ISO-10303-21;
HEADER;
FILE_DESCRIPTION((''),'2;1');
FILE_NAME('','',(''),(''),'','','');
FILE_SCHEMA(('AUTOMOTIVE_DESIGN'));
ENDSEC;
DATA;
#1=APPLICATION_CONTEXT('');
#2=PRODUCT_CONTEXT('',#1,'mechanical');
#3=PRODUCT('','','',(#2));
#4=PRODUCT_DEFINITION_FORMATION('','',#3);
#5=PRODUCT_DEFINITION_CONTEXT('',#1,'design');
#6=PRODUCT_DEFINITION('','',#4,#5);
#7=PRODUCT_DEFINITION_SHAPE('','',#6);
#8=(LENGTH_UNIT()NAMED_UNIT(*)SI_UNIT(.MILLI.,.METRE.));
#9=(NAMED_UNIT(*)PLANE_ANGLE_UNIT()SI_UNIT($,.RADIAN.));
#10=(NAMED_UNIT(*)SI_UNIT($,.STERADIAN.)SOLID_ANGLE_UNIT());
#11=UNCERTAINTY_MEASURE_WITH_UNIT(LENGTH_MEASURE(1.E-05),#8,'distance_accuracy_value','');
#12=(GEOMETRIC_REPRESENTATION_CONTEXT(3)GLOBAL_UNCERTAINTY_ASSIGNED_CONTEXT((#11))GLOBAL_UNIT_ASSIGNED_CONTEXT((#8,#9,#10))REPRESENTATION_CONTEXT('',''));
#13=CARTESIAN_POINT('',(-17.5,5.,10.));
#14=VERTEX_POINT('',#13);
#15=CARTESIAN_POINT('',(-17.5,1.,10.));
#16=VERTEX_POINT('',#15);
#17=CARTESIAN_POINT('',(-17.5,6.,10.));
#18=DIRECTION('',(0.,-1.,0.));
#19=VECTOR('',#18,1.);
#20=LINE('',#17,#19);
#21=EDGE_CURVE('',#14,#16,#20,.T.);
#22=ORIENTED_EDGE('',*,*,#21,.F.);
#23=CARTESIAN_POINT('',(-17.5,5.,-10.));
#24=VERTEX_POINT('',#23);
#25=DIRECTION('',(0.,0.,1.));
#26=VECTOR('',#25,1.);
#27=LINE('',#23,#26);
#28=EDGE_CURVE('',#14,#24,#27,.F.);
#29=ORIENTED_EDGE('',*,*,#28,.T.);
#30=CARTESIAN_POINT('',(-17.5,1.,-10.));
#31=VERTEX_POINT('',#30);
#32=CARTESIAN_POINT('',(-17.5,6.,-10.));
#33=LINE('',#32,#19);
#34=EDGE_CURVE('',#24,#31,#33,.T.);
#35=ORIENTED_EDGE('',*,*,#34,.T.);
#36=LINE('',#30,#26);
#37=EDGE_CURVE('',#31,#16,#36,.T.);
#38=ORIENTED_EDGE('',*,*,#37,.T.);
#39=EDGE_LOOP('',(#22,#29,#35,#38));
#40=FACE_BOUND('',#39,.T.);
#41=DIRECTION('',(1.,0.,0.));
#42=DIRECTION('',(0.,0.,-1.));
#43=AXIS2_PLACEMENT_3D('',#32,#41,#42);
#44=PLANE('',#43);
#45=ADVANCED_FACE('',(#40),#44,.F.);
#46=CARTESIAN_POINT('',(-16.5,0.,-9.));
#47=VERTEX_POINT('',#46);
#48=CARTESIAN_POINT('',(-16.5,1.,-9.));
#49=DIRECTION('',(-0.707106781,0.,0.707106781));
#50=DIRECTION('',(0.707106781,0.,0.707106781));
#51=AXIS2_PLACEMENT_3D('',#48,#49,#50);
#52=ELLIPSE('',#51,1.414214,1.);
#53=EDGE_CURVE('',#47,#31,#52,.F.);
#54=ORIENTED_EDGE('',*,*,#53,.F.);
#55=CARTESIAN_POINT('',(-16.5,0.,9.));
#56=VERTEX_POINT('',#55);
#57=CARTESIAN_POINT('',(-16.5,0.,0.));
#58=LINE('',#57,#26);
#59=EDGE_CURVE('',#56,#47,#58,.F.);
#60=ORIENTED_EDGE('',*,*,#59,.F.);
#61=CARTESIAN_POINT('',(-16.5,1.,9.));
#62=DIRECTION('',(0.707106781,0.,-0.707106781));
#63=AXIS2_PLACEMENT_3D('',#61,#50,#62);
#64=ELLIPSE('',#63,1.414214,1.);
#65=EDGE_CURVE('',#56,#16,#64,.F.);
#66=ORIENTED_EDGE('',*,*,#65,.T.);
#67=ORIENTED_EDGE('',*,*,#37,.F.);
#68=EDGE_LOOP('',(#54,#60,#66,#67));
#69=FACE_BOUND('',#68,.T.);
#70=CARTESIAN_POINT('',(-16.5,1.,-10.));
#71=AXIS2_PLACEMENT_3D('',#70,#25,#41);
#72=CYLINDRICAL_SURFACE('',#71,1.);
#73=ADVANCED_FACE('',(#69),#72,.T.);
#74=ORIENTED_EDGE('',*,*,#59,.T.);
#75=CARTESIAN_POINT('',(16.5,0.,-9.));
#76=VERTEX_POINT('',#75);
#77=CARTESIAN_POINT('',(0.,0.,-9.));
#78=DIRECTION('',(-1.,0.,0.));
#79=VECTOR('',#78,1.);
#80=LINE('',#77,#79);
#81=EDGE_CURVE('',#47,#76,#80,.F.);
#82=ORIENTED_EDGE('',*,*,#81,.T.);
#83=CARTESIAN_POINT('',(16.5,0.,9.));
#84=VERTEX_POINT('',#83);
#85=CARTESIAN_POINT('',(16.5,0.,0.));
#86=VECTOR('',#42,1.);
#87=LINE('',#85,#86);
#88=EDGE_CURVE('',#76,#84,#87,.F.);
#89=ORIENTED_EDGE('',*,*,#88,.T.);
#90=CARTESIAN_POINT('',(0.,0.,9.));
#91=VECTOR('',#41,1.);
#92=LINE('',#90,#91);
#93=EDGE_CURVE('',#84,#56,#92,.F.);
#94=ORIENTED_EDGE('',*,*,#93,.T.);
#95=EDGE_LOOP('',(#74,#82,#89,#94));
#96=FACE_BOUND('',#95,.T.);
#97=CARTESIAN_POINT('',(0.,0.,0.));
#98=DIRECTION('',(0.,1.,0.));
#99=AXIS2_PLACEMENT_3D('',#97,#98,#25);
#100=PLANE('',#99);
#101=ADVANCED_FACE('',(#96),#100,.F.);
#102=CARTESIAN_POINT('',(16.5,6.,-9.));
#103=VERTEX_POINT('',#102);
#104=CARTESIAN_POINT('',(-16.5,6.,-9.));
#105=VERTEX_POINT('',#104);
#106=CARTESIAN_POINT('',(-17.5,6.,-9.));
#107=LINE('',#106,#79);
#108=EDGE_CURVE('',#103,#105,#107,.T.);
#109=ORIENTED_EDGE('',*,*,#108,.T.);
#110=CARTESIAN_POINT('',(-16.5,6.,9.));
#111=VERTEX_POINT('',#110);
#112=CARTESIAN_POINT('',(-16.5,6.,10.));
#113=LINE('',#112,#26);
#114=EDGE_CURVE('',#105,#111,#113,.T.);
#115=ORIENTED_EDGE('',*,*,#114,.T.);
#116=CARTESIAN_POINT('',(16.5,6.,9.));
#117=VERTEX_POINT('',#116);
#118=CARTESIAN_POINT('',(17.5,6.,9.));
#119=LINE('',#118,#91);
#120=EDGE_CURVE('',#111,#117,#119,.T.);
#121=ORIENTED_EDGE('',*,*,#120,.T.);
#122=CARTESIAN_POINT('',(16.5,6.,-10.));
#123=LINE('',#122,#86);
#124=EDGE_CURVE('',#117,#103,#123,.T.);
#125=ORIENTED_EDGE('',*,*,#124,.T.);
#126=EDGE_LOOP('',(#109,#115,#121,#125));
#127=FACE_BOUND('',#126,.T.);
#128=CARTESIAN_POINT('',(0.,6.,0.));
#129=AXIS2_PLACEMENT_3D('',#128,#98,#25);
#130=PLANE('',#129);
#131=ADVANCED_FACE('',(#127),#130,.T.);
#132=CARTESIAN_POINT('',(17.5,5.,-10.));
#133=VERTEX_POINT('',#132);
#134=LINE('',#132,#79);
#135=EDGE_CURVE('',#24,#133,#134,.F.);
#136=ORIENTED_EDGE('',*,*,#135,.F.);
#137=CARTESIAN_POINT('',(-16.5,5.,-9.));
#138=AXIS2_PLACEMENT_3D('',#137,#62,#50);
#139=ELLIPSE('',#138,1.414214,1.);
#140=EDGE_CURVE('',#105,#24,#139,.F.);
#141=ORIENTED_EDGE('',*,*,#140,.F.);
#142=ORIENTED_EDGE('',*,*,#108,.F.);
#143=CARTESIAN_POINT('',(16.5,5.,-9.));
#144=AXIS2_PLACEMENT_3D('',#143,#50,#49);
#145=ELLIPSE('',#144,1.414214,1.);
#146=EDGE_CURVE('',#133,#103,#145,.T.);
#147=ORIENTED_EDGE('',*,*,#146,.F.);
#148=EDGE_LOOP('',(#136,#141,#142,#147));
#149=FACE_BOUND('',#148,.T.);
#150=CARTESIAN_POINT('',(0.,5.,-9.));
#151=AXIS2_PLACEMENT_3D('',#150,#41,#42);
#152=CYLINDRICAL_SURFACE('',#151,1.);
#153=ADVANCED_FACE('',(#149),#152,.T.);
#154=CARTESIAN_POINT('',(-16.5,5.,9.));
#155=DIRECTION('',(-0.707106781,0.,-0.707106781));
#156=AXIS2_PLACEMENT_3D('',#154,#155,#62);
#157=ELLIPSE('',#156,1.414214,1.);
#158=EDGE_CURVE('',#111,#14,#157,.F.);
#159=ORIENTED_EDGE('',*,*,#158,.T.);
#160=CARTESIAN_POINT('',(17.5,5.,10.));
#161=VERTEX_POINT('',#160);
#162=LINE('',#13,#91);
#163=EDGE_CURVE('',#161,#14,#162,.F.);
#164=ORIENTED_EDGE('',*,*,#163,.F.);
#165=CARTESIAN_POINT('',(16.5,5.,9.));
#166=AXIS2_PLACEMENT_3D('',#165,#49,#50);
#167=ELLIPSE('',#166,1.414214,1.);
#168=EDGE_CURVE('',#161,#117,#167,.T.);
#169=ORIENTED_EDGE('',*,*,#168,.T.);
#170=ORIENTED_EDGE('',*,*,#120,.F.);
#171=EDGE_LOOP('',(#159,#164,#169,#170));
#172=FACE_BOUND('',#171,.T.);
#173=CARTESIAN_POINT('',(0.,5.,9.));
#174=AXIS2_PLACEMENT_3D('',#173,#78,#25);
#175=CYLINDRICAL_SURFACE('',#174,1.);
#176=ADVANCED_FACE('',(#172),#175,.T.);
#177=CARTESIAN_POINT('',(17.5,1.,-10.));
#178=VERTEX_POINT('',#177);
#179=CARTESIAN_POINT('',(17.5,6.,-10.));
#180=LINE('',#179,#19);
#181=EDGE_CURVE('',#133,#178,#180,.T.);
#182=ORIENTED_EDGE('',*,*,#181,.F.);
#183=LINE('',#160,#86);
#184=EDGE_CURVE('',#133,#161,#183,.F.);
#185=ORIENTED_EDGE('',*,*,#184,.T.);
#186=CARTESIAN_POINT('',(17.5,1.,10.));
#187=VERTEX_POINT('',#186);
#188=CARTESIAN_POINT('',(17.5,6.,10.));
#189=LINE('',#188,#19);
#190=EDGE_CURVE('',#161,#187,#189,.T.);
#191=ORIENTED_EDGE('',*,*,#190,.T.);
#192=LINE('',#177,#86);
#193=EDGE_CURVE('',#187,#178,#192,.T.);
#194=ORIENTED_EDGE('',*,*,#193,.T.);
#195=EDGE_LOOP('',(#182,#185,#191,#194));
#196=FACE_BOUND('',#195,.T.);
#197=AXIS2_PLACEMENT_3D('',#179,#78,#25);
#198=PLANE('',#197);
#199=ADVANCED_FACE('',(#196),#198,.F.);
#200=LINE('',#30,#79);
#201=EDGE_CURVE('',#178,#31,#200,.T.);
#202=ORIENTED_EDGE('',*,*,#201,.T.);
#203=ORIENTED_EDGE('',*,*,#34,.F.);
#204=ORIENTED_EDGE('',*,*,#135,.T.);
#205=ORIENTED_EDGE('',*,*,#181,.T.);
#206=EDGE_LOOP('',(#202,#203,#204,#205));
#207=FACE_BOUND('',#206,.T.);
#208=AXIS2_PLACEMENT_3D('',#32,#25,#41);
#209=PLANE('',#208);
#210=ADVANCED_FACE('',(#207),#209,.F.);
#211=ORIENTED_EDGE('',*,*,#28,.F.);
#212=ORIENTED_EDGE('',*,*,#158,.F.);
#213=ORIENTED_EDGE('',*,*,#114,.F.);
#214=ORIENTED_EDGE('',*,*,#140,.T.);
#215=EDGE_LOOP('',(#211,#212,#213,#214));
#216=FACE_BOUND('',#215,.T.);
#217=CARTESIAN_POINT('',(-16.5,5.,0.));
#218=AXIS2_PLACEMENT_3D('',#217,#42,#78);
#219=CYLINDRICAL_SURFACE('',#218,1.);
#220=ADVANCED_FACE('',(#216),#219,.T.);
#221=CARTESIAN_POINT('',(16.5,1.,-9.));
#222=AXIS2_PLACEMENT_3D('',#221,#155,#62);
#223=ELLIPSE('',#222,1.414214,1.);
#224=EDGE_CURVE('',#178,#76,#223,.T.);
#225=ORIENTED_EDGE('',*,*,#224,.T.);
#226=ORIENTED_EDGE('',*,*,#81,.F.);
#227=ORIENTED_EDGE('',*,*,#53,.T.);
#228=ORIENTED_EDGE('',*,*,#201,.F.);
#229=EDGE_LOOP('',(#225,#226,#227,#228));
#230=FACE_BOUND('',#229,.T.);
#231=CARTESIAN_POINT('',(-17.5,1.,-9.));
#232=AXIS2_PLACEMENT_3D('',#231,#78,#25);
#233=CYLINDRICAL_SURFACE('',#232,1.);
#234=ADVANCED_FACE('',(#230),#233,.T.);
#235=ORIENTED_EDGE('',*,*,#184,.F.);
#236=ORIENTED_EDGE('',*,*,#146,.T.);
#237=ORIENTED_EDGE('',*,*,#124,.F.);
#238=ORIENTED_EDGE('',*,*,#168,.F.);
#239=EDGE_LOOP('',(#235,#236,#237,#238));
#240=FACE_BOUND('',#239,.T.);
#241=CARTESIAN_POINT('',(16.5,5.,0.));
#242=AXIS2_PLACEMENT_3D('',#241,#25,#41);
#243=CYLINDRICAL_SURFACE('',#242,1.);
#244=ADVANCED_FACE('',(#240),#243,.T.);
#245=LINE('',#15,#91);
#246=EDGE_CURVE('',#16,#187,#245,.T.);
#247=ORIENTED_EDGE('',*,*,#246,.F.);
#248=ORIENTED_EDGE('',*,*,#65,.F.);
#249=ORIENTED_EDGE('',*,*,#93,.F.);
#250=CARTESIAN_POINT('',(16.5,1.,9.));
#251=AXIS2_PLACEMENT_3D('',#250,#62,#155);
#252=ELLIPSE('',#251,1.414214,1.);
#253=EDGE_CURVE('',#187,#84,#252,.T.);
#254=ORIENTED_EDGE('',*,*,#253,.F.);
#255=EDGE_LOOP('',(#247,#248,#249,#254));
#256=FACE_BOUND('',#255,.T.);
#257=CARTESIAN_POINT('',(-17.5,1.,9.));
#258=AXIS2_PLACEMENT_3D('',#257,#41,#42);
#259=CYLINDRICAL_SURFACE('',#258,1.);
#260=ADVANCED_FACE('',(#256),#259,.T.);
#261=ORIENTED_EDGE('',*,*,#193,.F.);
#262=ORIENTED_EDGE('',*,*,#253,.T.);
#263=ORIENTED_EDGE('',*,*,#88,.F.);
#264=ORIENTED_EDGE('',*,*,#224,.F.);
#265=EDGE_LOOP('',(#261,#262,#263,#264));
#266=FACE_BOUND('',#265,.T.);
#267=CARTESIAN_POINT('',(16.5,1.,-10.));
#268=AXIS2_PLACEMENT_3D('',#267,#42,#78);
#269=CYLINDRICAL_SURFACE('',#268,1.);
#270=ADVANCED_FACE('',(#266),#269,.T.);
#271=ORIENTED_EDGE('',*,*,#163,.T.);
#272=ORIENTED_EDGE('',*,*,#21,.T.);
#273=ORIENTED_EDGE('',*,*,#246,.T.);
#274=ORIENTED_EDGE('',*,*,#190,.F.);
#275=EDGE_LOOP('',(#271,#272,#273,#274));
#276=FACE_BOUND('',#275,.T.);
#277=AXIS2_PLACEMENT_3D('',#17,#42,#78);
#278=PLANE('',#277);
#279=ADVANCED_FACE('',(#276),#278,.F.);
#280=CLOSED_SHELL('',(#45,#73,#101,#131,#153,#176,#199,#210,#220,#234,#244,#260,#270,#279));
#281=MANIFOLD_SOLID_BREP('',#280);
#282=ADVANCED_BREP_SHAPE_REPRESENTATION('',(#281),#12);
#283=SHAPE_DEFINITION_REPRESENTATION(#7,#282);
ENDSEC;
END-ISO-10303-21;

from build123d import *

# Parameters (mm, degrees)
SKETCH1_W           = 35
SKETCH1_H           = 20
BOSS_EXTRUDE1_DEPTH = 6
FILLET1_R           = 1


with BuildPart() as part:
    # Sketch1 → Boss-Extrude1 (new body)
    with BuildSketch(Plane(origin=(0, 0, 0), x_dir=(1, 0, 0), z_dir=(0, 1, 0))):
        Rectangle(SKETCH1_W, SKETCH1_H)
    extrude(amount=BOSS_EXTRUDE1_DEPTH)

    # Fillet1
    fillet1_edges = [part.edges().sort_by_distance(p)[0] for p in [
        (-17.5, 6, 0),
        (0, 6, 10),
        (17.5, 6, 0),
        (0, 0, 10),
        (-17.5, 0, 0),
        (0, 0, -10),
        (17.5, 0, 0),
        (0, 6, -10),
    ]]
    fillet(fillet1_edges, radius=FILLET1_R)


solid = part.part
